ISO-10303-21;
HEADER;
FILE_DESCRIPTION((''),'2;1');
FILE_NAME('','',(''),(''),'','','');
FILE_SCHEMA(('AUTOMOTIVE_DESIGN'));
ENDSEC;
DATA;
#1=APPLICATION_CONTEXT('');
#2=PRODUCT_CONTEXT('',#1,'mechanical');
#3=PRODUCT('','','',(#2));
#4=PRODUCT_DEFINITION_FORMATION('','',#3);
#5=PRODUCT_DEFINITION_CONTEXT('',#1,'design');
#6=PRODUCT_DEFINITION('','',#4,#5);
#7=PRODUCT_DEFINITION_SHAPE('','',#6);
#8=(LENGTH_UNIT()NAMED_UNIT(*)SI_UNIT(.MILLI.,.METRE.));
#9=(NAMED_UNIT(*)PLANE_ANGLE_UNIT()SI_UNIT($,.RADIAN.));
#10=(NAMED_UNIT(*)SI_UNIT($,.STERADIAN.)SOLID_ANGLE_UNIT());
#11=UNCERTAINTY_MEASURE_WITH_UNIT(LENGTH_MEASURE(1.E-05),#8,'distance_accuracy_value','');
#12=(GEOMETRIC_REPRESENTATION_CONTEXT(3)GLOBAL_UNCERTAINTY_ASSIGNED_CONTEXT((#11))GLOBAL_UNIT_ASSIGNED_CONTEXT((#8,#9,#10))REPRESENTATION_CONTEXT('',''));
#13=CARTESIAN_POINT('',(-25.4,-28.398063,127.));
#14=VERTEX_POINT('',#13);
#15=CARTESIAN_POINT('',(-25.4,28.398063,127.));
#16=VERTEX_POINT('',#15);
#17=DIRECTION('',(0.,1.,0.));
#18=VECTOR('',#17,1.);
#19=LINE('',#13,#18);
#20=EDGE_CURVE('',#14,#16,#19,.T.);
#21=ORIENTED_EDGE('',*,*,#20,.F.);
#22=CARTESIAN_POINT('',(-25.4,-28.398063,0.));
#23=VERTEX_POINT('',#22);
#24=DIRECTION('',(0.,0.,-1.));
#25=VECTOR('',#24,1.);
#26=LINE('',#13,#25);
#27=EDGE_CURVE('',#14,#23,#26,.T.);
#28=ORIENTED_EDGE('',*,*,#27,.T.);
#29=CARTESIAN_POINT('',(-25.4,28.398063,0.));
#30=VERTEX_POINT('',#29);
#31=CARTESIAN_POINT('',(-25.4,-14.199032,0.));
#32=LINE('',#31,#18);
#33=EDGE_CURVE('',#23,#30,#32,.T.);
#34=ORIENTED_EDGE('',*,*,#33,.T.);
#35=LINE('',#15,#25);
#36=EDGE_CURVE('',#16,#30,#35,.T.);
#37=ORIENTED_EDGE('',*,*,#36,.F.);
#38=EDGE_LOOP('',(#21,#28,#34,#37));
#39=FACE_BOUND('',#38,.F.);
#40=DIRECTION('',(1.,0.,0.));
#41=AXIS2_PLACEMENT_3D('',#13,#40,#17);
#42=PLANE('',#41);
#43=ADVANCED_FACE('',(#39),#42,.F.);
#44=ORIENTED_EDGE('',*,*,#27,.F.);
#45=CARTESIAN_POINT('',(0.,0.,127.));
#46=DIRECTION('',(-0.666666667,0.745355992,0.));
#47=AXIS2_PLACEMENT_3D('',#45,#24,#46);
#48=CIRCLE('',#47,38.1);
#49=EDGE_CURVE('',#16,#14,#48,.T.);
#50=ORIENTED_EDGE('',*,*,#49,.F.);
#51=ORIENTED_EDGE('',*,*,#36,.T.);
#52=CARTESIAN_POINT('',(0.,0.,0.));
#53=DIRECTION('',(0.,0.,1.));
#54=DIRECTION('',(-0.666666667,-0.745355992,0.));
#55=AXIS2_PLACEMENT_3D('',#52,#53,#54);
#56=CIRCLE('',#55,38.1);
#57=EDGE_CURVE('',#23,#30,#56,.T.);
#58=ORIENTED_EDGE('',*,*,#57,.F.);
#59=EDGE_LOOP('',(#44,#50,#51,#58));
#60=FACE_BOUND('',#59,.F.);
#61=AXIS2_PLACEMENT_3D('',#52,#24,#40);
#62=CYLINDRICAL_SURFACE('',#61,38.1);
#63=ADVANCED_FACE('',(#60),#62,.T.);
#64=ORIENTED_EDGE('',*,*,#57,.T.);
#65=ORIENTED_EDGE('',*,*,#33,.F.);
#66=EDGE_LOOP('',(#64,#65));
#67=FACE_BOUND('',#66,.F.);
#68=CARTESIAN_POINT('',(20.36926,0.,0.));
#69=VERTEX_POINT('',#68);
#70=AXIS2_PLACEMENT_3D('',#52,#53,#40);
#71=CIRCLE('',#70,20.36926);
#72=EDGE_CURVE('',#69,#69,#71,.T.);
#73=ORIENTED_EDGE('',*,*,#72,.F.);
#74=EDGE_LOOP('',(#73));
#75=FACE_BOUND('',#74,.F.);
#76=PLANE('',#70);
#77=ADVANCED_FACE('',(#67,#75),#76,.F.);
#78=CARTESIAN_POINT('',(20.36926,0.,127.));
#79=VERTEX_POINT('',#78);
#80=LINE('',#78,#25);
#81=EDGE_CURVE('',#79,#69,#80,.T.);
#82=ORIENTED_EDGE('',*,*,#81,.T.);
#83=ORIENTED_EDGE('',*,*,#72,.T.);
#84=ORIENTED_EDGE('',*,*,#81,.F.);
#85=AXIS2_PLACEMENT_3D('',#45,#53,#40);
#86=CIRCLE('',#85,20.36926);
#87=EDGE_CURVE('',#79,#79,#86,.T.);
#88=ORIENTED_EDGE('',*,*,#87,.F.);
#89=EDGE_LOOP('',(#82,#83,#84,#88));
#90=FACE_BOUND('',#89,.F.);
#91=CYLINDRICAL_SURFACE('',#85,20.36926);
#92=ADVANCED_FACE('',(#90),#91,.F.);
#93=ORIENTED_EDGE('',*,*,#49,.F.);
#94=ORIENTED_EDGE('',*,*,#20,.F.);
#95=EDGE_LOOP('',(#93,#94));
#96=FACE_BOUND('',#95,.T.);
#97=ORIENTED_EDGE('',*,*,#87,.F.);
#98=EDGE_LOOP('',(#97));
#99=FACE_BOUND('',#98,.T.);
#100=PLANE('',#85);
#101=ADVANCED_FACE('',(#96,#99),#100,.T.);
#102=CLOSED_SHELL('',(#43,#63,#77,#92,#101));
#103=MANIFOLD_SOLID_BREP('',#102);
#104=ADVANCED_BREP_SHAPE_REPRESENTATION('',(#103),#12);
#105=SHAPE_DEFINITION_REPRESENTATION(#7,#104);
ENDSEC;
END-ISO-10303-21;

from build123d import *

# Parameters (mm, degrees)
F0_R     = 38.1
F1_DEPTH = 127
F2_R     = 20.3692597416
F3_DEPTH = 127.001
F5_DEPTH = 127.001


with BuildPart() as f1:
    # F0 (on Top) → F1 (new body)
    with BuildSketch(Plane.XY):
        Circle(F0_R)
    extrude(amount=F1_DEPTH)

    # F2 (on face) → F3 (cut, through all)
    with BuildSketch(Plane.XY.offset(127)):
        Circle(F2_R)
    extrude(amount=-F3_DEPTH, mode=Mode.SUBTRACT)

    # F4 (on face) → F5 (cut, through all)
    with BuildSketch(Plane.XY.offset(127)):
        with BuildLine():
            ThreePointArc((-25.4, 28.3980633142), (-38.1, 0), (-25.4, -28.3980633142))
            Line((-25.4, -28.3980633142), (-25.4, 28.3980633142))
        make_face()
    extrude(amount=-F5_DEPTH, mode=Mode.SUBTRACT)


solid = f1.part
